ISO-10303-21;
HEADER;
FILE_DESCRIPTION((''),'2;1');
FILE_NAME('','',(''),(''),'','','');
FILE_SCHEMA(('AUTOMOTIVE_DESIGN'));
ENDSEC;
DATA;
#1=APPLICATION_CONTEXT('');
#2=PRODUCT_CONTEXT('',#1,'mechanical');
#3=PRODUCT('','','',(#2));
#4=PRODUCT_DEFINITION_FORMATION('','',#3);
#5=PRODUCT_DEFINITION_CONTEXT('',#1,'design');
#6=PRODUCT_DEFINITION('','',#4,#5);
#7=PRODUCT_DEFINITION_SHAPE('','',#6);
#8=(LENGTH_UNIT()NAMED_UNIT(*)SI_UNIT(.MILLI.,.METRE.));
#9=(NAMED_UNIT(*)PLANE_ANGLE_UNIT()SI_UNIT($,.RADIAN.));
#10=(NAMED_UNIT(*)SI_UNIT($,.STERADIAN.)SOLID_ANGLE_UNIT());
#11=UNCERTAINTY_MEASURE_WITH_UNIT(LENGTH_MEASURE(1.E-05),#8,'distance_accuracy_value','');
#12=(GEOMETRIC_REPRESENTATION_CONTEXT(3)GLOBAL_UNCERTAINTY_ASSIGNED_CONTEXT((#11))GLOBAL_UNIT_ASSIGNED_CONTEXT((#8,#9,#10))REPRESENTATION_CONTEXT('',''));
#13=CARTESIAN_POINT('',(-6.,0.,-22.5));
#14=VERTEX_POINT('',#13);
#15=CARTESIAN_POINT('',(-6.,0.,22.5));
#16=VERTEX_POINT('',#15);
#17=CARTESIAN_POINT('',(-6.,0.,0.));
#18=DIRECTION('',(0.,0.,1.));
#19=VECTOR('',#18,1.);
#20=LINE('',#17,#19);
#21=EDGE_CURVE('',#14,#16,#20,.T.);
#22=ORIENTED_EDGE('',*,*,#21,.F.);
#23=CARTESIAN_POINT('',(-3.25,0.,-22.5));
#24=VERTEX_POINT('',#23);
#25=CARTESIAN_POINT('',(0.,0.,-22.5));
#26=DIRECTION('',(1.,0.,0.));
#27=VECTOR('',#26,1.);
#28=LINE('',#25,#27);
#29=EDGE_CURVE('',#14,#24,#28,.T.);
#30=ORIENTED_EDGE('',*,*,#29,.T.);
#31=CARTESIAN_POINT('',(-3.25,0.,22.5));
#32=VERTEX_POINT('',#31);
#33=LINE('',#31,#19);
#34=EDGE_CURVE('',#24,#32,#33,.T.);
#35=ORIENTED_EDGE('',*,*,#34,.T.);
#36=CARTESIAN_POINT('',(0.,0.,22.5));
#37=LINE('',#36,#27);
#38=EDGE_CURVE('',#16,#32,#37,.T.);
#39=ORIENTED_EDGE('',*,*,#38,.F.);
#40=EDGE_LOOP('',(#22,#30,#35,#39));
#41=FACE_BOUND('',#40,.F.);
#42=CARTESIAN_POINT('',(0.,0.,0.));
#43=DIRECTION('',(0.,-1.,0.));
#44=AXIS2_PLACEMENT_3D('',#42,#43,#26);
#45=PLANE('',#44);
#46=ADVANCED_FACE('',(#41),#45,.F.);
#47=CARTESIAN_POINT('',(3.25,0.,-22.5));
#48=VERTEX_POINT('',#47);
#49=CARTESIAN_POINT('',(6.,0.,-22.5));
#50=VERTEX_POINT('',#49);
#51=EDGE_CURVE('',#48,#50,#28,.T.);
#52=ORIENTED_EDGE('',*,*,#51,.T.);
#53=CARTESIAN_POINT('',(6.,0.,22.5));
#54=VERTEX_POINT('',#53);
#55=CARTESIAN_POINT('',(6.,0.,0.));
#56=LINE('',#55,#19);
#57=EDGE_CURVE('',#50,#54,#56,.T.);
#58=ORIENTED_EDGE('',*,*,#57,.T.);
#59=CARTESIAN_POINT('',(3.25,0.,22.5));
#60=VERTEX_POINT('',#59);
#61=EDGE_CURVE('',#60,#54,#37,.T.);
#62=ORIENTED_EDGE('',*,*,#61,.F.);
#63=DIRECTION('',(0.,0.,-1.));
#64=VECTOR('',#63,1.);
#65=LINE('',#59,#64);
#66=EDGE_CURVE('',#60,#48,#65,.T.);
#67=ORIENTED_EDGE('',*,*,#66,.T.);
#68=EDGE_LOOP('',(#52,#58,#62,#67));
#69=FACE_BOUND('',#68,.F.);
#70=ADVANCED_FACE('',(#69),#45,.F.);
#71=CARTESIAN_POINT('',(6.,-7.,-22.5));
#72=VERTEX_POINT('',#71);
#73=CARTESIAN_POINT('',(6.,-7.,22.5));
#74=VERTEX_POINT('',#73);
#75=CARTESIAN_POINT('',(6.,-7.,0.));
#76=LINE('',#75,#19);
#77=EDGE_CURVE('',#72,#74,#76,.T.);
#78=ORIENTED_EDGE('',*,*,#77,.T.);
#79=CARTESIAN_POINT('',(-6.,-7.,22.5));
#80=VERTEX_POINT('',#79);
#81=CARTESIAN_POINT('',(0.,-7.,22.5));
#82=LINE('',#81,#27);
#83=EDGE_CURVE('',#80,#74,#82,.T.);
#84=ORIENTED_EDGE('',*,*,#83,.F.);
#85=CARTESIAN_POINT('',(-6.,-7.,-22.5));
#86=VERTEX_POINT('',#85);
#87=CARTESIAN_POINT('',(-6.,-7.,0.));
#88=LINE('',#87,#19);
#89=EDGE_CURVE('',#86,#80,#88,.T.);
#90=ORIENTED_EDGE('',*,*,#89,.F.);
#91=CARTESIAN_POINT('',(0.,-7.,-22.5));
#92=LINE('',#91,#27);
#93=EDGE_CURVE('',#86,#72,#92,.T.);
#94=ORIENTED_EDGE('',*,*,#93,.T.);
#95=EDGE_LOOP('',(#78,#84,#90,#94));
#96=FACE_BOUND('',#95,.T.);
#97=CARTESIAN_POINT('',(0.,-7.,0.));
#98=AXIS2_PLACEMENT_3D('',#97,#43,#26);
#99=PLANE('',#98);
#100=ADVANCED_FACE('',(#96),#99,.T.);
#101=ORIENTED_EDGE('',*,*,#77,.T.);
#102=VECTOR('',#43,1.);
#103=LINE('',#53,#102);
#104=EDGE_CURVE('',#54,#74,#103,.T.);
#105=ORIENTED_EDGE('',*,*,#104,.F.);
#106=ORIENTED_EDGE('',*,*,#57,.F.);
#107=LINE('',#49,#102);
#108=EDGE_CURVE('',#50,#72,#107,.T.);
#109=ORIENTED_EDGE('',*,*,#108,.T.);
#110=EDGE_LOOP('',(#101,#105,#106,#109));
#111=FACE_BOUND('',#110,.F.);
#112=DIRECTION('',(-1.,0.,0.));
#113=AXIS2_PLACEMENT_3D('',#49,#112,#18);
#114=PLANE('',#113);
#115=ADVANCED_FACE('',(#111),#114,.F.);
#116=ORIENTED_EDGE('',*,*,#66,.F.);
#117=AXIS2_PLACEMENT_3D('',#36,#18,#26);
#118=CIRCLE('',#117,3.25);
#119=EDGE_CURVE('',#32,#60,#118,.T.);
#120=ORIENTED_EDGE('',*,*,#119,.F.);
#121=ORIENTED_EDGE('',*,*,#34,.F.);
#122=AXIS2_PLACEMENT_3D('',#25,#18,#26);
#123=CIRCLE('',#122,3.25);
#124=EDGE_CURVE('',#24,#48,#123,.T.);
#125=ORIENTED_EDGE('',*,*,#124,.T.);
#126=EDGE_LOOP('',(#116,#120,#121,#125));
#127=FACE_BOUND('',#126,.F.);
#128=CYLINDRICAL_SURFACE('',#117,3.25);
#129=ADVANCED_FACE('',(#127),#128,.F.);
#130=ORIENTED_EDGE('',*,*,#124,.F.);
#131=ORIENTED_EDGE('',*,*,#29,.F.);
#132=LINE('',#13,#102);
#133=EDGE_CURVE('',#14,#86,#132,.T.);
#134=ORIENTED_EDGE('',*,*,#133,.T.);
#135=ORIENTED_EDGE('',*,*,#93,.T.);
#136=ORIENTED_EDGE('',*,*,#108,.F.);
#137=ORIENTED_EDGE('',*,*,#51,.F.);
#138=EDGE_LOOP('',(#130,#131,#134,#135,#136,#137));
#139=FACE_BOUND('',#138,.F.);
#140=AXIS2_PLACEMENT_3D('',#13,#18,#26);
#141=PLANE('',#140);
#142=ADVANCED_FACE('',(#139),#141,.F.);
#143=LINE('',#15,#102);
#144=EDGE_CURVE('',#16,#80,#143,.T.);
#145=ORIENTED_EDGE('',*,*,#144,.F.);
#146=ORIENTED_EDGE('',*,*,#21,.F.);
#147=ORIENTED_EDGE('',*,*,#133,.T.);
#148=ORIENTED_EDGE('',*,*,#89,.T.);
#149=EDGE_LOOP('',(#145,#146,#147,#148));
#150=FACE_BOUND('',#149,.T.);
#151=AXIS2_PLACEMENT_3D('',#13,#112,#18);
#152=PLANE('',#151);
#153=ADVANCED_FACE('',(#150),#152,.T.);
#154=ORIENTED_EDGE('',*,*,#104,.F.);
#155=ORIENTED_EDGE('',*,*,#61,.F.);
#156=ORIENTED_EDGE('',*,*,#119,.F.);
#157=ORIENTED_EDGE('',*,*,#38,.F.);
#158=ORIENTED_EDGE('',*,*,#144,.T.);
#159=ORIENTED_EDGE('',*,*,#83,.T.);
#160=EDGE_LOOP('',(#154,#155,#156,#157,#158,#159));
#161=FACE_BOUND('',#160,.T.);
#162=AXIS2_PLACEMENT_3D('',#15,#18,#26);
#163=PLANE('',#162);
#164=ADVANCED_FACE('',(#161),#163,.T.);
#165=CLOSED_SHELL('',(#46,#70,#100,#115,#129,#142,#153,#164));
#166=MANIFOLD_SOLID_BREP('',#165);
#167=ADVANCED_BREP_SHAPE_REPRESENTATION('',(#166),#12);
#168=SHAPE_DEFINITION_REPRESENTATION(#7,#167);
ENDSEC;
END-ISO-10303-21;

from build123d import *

# Parameters (mm, degrees)
F0_W     = 12
F0_H     = 45
F1_DEPTH = 7
F2_R     = 3.25
F3_DEPTH = 45.001


with BuildPart() as f1:
    # F0 (on Front) → F1 (new body)
    with BuildSketch(Plane.XZ):
        Rectangle(F0_W, F0_H)
    extrude(amount=F1_DEPTH)

    # F2 (on face) → F3 (cut, through all)
    with BuildSketch(Plane.XY.offset(22.5)):
        Circle(F2_R)
    extrude(amount=-F3_DEPTH, mode=Mode.SUBTRACT)


solid = f1.part
